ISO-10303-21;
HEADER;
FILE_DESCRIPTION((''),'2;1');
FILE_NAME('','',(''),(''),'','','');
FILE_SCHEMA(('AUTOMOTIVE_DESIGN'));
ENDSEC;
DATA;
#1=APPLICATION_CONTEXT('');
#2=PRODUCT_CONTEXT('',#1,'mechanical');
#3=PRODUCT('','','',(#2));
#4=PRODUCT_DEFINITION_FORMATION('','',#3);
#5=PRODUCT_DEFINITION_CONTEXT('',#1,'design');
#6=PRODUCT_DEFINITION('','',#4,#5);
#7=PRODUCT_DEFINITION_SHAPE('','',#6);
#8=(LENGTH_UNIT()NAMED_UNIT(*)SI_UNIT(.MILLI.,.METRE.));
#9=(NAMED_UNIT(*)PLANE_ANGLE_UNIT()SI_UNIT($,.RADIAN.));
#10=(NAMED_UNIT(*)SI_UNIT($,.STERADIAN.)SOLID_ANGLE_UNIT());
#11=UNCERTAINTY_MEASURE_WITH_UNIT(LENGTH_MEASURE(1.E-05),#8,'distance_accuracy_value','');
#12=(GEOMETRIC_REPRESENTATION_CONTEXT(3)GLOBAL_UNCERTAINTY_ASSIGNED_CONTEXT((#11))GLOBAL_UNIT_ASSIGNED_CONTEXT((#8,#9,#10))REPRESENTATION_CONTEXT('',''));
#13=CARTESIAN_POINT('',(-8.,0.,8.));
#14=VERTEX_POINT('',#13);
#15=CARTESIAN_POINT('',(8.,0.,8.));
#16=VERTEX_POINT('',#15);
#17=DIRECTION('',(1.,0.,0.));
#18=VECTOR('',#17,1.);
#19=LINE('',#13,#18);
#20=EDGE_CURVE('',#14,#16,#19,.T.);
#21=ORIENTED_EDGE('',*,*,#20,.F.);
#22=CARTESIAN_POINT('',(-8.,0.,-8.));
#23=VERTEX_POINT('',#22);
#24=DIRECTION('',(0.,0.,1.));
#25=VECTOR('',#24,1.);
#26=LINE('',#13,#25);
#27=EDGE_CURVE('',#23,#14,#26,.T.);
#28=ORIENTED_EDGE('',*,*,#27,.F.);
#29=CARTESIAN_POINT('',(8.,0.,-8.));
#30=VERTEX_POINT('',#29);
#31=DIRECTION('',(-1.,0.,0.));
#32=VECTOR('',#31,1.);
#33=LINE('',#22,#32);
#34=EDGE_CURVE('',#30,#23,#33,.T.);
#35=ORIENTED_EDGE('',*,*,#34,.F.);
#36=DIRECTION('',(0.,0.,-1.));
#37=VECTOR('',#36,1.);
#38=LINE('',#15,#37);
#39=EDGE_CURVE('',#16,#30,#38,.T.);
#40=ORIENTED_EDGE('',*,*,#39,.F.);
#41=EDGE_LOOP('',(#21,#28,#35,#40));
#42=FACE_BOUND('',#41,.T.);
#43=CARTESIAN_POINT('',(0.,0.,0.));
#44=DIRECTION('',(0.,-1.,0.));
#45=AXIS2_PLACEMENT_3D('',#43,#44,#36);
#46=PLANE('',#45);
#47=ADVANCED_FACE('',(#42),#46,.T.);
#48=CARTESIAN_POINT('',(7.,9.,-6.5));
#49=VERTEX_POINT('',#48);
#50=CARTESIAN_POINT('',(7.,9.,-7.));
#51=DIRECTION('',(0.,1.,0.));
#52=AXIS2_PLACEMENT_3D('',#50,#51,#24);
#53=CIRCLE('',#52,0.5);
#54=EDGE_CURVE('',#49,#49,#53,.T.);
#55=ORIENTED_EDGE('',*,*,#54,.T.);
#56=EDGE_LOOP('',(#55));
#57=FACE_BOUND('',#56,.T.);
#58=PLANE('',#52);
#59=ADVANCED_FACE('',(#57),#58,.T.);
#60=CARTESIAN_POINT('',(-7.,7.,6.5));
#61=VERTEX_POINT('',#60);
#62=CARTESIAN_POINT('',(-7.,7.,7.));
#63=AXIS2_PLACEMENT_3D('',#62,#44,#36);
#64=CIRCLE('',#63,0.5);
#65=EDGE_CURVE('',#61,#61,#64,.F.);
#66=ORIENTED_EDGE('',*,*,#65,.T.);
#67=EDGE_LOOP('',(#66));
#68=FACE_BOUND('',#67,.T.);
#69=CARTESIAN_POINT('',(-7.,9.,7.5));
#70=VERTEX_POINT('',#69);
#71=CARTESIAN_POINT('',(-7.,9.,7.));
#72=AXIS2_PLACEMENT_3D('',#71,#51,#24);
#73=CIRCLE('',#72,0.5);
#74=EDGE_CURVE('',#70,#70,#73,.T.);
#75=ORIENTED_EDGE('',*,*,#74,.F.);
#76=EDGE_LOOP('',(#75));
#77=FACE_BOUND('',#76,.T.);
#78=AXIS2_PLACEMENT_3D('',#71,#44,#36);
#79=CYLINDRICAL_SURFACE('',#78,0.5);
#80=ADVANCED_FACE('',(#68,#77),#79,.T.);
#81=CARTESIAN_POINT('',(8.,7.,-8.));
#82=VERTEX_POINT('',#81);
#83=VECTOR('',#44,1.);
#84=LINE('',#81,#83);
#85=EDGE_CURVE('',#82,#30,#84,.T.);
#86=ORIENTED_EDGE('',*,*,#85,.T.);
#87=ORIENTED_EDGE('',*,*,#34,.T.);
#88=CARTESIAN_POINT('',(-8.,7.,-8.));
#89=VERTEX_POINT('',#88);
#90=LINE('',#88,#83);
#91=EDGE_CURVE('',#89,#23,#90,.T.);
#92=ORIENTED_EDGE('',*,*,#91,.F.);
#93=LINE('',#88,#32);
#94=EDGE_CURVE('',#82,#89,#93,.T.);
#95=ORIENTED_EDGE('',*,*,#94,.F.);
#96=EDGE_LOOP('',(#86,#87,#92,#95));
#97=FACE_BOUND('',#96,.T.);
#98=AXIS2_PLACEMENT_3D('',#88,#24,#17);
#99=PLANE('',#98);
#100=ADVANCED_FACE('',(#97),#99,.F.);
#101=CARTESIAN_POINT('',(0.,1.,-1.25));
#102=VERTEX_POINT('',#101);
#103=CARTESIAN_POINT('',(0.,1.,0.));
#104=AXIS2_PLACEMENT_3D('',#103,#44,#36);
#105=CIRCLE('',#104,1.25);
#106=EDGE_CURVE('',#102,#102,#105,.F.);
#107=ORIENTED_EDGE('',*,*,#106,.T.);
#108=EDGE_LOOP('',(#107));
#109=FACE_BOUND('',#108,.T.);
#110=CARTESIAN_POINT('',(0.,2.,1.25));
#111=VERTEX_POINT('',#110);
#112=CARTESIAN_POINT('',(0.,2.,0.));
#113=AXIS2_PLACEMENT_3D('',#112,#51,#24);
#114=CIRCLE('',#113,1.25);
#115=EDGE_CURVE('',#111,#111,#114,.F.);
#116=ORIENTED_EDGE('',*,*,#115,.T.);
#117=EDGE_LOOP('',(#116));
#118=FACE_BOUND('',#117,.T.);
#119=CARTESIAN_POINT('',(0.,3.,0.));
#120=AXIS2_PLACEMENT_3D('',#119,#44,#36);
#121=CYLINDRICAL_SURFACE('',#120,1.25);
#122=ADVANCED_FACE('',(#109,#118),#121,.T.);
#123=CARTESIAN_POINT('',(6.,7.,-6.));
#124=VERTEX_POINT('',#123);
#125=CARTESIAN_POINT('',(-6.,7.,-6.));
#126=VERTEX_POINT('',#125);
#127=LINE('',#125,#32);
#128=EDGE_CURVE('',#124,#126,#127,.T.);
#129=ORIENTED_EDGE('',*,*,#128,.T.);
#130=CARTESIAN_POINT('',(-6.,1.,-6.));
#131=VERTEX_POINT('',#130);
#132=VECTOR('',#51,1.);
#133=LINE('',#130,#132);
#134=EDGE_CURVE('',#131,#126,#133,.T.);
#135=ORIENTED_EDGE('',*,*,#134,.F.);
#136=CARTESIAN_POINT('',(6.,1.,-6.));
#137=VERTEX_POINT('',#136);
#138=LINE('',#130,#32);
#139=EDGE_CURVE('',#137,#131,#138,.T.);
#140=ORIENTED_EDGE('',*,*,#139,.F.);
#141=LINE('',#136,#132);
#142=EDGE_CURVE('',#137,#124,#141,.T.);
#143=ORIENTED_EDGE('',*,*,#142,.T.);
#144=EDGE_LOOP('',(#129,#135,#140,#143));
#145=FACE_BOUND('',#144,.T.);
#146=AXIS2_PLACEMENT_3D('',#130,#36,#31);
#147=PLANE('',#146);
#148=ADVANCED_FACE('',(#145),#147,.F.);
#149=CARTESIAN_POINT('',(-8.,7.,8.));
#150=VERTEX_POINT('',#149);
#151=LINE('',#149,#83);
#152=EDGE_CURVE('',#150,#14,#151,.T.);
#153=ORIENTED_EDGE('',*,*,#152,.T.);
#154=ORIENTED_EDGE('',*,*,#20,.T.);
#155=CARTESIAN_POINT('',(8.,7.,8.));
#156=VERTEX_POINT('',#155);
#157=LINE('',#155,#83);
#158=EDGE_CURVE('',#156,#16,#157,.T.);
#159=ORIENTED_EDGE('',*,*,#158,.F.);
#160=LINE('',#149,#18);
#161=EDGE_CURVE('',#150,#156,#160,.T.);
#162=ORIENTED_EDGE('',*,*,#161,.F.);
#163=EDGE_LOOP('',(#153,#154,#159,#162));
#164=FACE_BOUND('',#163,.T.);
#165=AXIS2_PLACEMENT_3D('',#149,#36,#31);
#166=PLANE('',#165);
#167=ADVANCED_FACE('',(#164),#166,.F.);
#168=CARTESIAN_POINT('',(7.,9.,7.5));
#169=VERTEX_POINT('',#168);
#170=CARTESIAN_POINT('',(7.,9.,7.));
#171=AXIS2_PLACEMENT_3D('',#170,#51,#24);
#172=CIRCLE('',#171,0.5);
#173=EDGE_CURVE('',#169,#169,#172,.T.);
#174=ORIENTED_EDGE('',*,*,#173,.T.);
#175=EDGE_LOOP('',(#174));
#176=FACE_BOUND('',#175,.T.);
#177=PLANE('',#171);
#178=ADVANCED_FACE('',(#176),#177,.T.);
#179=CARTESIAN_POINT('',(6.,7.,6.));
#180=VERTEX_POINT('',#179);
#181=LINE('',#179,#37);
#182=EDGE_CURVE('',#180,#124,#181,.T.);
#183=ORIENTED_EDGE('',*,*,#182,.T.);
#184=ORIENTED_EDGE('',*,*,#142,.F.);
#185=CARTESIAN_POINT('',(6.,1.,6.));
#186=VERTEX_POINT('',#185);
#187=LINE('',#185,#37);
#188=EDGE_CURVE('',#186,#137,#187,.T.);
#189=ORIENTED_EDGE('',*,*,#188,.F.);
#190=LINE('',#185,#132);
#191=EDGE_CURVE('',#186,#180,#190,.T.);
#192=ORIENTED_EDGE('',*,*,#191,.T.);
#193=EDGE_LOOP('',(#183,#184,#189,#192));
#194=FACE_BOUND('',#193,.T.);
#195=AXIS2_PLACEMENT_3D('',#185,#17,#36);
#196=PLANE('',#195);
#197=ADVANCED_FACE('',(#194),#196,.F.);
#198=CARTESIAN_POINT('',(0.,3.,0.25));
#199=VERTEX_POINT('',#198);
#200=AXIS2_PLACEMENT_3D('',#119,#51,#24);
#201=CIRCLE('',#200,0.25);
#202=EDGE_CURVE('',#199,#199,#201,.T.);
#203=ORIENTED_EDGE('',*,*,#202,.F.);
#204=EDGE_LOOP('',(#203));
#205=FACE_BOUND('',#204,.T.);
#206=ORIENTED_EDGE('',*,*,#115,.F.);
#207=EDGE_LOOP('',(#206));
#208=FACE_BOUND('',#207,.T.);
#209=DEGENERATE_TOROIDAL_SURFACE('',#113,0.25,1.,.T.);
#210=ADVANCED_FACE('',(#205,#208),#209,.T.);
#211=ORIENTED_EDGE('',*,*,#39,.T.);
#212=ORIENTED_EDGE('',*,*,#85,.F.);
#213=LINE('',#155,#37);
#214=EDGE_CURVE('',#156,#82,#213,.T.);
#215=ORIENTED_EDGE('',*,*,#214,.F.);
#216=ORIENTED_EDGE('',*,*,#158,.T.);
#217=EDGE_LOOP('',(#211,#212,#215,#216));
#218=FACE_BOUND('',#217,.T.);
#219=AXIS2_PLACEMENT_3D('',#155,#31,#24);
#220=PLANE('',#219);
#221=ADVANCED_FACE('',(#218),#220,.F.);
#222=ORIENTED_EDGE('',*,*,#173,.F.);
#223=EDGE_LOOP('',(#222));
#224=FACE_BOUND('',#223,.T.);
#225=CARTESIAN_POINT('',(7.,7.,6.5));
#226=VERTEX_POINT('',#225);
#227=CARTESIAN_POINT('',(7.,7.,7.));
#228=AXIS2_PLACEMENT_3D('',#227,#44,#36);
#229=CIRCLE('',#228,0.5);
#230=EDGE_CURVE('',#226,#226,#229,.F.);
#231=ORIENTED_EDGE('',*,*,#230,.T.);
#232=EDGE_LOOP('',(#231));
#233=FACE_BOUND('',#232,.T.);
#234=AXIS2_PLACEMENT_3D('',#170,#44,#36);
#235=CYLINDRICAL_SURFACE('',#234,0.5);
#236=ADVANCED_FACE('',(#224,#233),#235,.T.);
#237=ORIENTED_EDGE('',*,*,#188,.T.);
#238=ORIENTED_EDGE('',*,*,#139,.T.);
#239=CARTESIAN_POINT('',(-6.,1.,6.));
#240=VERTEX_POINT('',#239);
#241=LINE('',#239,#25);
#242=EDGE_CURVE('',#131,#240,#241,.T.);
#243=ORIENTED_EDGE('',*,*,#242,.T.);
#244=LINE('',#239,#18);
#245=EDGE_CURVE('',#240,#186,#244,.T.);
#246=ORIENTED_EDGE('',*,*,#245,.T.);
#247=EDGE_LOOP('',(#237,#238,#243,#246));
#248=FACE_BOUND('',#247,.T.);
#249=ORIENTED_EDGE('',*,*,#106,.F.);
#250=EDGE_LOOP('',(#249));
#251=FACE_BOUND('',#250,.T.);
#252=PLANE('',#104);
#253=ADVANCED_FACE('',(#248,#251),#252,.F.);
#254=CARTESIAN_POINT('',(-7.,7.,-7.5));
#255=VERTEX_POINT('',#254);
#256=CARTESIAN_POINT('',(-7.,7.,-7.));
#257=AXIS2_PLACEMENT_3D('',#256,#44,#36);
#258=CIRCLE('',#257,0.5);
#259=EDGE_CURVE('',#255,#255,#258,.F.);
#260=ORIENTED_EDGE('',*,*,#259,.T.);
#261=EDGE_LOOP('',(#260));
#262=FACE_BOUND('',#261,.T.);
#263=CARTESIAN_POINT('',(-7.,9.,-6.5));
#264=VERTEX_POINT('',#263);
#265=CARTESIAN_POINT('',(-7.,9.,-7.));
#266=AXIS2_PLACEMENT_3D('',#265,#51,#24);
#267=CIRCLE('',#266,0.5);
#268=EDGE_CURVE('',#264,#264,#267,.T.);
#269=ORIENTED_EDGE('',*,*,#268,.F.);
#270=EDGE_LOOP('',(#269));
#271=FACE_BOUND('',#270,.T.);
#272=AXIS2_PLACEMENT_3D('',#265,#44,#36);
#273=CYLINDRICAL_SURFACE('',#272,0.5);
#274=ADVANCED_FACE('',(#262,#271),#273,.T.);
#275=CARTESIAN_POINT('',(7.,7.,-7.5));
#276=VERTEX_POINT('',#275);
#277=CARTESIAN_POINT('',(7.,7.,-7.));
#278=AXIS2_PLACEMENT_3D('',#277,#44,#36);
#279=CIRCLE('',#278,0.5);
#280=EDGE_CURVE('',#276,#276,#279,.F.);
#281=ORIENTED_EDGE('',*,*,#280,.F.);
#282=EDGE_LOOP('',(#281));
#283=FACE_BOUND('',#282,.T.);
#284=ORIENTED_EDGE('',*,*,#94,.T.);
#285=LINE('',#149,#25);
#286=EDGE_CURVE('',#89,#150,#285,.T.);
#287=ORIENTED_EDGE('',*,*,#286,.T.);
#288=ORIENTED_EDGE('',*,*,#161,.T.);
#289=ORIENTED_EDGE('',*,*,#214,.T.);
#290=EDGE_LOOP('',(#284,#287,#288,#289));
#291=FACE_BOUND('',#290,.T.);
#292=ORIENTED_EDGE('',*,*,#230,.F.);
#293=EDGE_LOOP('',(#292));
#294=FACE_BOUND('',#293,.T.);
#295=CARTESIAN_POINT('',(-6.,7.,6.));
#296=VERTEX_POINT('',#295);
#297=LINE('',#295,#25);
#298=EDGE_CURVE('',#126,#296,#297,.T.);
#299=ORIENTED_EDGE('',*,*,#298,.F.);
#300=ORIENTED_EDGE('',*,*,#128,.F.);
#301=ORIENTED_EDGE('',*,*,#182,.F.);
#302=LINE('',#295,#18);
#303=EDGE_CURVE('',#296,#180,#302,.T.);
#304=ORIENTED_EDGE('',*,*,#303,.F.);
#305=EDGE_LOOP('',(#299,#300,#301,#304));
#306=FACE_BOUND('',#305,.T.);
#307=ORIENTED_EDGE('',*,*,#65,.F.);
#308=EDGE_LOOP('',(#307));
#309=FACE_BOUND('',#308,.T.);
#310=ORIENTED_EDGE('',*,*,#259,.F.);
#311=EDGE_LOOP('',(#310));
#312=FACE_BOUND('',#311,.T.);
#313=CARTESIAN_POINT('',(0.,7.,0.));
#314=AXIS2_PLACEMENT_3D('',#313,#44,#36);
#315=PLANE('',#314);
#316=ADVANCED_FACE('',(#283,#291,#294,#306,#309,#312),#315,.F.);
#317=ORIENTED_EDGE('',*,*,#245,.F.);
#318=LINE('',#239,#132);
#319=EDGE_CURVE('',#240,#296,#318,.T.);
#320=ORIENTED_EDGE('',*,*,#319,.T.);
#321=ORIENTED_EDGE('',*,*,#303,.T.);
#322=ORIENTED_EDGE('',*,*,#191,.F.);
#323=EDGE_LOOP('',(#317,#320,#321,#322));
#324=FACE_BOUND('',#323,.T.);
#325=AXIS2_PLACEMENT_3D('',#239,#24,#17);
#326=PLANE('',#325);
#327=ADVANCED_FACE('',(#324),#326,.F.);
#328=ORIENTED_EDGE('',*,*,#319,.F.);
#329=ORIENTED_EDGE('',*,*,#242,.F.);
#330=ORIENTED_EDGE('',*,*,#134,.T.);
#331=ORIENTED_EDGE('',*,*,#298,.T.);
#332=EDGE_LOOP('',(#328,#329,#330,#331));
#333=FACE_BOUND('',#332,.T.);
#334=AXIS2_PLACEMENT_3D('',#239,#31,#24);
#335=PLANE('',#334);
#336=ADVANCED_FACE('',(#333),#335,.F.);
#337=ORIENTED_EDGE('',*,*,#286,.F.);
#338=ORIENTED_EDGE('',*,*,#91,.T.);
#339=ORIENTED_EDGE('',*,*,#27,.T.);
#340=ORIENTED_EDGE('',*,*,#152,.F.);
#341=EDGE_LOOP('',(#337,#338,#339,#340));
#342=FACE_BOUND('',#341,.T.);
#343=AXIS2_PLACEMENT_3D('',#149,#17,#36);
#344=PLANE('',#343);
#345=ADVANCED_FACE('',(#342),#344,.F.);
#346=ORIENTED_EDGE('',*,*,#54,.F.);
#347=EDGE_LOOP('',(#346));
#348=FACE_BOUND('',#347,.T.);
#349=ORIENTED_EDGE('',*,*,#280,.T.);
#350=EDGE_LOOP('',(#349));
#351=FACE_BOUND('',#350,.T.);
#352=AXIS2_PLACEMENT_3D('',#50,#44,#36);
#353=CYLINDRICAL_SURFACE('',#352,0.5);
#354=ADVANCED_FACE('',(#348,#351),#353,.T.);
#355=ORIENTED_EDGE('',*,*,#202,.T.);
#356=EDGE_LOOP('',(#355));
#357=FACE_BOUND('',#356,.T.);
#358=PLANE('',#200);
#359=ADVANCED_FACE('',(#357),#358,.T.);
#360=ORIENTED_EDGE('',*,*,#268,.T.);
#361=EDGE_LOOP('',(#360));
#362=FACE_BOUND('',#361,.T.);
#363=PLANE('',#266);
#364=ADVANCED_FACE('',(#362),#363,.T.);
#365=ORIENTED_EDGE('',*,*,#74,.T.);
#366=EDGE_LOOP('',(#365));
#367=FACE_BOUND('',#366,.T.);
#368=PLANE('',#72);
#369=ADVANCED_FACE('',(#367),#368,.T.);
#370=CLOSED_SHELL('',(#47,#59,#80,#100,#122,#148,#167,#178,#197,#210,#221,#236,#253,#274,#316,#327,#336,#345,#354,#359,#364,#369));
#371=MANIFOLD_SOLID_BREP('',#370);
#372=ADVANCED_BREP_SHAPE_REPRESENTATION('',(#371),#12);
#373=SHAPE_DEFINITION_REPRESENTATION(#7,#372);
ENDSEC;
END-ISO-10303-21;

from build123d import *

# Parameters (mm, degrees)
SKETCH1_W           = 16
SKETCH1_H           = 16
BOSS_EXTRUDE1_DEPTH = 7
SKETCH2_W           = 12
SKETCH2_H           = 12
CUT_EXTRUDE1_DEPTH  = 6
SKETCH3_R           = 1.25
BOSS_EXTRUDE2_DEPTH = 2
FILLET1_R           = 1
SKETCH4_R           = 0.5
BOSS_EXTRUDE3_DEPTH = 2


with BuildPart() as part:
    # Sketch1 → Boss-Extrude1 (new body)
    with BuildSketch(Plane(origin=(0, 0, 0), x_dir=(1, 0, 0), z_dir=(0, 1, 0))):
        Rectangle(SKETCH1_W, SKETCH1_H)
    extrude(amount=BOSS_EXTRUDE1_DEPTH)

    # Sketch2 → Cut-Extrude1 (cut)
    with BuildSketch(Plane(origin=(0, 7, 0), x_dir=(1, 0, 0), z_dir=(0, 1, 0))):
        Rectangle(SKETCH2_W, SKETCH2_H)
    extrude(amount=-CUT_EXTRUDE1_DEPTH, mode=Mode.SUBTRACT)

    # Sketch3 → Boss-Extrude2 (add)
    with BuildSketch(Plane(origin=(0, 1, 0), x_dir=(1, 0, 0), z_dir=(0, 1, 0))):
        Circle(SKETCH3_R)
    extrude(amount=BOSS_EXTRUDE2_DEPTH)

    # Fillet1
    fillet1_edges = [part.edges().sort_by_distance(p)[0] for p in [
        (-1.25, 3, 0),
    ]]
    fillet(fillet1_edges, radius=FILLET1_R)

    # Sketch4 → Boss-Extrude3 (add)
    with BuildSketch(Plane(origin=(0, 7, 0), x_dir=(1, 0, 0), z_dir=(0, 1, 0))):
        with Locations((-7, 7)):
            Circle(SKETCH4_R)
        with Locations((7, 7)):
            Circle(SKETCH4_R)
        with Locations((7, -7)):
            Circle(SKETCH4_R)
        with Locations((-7, -7)):
            Circle(SKETCH4_R)
    extrude(amount=BOSS_EXTRUDE3_DEPTH)


solid = part.part
